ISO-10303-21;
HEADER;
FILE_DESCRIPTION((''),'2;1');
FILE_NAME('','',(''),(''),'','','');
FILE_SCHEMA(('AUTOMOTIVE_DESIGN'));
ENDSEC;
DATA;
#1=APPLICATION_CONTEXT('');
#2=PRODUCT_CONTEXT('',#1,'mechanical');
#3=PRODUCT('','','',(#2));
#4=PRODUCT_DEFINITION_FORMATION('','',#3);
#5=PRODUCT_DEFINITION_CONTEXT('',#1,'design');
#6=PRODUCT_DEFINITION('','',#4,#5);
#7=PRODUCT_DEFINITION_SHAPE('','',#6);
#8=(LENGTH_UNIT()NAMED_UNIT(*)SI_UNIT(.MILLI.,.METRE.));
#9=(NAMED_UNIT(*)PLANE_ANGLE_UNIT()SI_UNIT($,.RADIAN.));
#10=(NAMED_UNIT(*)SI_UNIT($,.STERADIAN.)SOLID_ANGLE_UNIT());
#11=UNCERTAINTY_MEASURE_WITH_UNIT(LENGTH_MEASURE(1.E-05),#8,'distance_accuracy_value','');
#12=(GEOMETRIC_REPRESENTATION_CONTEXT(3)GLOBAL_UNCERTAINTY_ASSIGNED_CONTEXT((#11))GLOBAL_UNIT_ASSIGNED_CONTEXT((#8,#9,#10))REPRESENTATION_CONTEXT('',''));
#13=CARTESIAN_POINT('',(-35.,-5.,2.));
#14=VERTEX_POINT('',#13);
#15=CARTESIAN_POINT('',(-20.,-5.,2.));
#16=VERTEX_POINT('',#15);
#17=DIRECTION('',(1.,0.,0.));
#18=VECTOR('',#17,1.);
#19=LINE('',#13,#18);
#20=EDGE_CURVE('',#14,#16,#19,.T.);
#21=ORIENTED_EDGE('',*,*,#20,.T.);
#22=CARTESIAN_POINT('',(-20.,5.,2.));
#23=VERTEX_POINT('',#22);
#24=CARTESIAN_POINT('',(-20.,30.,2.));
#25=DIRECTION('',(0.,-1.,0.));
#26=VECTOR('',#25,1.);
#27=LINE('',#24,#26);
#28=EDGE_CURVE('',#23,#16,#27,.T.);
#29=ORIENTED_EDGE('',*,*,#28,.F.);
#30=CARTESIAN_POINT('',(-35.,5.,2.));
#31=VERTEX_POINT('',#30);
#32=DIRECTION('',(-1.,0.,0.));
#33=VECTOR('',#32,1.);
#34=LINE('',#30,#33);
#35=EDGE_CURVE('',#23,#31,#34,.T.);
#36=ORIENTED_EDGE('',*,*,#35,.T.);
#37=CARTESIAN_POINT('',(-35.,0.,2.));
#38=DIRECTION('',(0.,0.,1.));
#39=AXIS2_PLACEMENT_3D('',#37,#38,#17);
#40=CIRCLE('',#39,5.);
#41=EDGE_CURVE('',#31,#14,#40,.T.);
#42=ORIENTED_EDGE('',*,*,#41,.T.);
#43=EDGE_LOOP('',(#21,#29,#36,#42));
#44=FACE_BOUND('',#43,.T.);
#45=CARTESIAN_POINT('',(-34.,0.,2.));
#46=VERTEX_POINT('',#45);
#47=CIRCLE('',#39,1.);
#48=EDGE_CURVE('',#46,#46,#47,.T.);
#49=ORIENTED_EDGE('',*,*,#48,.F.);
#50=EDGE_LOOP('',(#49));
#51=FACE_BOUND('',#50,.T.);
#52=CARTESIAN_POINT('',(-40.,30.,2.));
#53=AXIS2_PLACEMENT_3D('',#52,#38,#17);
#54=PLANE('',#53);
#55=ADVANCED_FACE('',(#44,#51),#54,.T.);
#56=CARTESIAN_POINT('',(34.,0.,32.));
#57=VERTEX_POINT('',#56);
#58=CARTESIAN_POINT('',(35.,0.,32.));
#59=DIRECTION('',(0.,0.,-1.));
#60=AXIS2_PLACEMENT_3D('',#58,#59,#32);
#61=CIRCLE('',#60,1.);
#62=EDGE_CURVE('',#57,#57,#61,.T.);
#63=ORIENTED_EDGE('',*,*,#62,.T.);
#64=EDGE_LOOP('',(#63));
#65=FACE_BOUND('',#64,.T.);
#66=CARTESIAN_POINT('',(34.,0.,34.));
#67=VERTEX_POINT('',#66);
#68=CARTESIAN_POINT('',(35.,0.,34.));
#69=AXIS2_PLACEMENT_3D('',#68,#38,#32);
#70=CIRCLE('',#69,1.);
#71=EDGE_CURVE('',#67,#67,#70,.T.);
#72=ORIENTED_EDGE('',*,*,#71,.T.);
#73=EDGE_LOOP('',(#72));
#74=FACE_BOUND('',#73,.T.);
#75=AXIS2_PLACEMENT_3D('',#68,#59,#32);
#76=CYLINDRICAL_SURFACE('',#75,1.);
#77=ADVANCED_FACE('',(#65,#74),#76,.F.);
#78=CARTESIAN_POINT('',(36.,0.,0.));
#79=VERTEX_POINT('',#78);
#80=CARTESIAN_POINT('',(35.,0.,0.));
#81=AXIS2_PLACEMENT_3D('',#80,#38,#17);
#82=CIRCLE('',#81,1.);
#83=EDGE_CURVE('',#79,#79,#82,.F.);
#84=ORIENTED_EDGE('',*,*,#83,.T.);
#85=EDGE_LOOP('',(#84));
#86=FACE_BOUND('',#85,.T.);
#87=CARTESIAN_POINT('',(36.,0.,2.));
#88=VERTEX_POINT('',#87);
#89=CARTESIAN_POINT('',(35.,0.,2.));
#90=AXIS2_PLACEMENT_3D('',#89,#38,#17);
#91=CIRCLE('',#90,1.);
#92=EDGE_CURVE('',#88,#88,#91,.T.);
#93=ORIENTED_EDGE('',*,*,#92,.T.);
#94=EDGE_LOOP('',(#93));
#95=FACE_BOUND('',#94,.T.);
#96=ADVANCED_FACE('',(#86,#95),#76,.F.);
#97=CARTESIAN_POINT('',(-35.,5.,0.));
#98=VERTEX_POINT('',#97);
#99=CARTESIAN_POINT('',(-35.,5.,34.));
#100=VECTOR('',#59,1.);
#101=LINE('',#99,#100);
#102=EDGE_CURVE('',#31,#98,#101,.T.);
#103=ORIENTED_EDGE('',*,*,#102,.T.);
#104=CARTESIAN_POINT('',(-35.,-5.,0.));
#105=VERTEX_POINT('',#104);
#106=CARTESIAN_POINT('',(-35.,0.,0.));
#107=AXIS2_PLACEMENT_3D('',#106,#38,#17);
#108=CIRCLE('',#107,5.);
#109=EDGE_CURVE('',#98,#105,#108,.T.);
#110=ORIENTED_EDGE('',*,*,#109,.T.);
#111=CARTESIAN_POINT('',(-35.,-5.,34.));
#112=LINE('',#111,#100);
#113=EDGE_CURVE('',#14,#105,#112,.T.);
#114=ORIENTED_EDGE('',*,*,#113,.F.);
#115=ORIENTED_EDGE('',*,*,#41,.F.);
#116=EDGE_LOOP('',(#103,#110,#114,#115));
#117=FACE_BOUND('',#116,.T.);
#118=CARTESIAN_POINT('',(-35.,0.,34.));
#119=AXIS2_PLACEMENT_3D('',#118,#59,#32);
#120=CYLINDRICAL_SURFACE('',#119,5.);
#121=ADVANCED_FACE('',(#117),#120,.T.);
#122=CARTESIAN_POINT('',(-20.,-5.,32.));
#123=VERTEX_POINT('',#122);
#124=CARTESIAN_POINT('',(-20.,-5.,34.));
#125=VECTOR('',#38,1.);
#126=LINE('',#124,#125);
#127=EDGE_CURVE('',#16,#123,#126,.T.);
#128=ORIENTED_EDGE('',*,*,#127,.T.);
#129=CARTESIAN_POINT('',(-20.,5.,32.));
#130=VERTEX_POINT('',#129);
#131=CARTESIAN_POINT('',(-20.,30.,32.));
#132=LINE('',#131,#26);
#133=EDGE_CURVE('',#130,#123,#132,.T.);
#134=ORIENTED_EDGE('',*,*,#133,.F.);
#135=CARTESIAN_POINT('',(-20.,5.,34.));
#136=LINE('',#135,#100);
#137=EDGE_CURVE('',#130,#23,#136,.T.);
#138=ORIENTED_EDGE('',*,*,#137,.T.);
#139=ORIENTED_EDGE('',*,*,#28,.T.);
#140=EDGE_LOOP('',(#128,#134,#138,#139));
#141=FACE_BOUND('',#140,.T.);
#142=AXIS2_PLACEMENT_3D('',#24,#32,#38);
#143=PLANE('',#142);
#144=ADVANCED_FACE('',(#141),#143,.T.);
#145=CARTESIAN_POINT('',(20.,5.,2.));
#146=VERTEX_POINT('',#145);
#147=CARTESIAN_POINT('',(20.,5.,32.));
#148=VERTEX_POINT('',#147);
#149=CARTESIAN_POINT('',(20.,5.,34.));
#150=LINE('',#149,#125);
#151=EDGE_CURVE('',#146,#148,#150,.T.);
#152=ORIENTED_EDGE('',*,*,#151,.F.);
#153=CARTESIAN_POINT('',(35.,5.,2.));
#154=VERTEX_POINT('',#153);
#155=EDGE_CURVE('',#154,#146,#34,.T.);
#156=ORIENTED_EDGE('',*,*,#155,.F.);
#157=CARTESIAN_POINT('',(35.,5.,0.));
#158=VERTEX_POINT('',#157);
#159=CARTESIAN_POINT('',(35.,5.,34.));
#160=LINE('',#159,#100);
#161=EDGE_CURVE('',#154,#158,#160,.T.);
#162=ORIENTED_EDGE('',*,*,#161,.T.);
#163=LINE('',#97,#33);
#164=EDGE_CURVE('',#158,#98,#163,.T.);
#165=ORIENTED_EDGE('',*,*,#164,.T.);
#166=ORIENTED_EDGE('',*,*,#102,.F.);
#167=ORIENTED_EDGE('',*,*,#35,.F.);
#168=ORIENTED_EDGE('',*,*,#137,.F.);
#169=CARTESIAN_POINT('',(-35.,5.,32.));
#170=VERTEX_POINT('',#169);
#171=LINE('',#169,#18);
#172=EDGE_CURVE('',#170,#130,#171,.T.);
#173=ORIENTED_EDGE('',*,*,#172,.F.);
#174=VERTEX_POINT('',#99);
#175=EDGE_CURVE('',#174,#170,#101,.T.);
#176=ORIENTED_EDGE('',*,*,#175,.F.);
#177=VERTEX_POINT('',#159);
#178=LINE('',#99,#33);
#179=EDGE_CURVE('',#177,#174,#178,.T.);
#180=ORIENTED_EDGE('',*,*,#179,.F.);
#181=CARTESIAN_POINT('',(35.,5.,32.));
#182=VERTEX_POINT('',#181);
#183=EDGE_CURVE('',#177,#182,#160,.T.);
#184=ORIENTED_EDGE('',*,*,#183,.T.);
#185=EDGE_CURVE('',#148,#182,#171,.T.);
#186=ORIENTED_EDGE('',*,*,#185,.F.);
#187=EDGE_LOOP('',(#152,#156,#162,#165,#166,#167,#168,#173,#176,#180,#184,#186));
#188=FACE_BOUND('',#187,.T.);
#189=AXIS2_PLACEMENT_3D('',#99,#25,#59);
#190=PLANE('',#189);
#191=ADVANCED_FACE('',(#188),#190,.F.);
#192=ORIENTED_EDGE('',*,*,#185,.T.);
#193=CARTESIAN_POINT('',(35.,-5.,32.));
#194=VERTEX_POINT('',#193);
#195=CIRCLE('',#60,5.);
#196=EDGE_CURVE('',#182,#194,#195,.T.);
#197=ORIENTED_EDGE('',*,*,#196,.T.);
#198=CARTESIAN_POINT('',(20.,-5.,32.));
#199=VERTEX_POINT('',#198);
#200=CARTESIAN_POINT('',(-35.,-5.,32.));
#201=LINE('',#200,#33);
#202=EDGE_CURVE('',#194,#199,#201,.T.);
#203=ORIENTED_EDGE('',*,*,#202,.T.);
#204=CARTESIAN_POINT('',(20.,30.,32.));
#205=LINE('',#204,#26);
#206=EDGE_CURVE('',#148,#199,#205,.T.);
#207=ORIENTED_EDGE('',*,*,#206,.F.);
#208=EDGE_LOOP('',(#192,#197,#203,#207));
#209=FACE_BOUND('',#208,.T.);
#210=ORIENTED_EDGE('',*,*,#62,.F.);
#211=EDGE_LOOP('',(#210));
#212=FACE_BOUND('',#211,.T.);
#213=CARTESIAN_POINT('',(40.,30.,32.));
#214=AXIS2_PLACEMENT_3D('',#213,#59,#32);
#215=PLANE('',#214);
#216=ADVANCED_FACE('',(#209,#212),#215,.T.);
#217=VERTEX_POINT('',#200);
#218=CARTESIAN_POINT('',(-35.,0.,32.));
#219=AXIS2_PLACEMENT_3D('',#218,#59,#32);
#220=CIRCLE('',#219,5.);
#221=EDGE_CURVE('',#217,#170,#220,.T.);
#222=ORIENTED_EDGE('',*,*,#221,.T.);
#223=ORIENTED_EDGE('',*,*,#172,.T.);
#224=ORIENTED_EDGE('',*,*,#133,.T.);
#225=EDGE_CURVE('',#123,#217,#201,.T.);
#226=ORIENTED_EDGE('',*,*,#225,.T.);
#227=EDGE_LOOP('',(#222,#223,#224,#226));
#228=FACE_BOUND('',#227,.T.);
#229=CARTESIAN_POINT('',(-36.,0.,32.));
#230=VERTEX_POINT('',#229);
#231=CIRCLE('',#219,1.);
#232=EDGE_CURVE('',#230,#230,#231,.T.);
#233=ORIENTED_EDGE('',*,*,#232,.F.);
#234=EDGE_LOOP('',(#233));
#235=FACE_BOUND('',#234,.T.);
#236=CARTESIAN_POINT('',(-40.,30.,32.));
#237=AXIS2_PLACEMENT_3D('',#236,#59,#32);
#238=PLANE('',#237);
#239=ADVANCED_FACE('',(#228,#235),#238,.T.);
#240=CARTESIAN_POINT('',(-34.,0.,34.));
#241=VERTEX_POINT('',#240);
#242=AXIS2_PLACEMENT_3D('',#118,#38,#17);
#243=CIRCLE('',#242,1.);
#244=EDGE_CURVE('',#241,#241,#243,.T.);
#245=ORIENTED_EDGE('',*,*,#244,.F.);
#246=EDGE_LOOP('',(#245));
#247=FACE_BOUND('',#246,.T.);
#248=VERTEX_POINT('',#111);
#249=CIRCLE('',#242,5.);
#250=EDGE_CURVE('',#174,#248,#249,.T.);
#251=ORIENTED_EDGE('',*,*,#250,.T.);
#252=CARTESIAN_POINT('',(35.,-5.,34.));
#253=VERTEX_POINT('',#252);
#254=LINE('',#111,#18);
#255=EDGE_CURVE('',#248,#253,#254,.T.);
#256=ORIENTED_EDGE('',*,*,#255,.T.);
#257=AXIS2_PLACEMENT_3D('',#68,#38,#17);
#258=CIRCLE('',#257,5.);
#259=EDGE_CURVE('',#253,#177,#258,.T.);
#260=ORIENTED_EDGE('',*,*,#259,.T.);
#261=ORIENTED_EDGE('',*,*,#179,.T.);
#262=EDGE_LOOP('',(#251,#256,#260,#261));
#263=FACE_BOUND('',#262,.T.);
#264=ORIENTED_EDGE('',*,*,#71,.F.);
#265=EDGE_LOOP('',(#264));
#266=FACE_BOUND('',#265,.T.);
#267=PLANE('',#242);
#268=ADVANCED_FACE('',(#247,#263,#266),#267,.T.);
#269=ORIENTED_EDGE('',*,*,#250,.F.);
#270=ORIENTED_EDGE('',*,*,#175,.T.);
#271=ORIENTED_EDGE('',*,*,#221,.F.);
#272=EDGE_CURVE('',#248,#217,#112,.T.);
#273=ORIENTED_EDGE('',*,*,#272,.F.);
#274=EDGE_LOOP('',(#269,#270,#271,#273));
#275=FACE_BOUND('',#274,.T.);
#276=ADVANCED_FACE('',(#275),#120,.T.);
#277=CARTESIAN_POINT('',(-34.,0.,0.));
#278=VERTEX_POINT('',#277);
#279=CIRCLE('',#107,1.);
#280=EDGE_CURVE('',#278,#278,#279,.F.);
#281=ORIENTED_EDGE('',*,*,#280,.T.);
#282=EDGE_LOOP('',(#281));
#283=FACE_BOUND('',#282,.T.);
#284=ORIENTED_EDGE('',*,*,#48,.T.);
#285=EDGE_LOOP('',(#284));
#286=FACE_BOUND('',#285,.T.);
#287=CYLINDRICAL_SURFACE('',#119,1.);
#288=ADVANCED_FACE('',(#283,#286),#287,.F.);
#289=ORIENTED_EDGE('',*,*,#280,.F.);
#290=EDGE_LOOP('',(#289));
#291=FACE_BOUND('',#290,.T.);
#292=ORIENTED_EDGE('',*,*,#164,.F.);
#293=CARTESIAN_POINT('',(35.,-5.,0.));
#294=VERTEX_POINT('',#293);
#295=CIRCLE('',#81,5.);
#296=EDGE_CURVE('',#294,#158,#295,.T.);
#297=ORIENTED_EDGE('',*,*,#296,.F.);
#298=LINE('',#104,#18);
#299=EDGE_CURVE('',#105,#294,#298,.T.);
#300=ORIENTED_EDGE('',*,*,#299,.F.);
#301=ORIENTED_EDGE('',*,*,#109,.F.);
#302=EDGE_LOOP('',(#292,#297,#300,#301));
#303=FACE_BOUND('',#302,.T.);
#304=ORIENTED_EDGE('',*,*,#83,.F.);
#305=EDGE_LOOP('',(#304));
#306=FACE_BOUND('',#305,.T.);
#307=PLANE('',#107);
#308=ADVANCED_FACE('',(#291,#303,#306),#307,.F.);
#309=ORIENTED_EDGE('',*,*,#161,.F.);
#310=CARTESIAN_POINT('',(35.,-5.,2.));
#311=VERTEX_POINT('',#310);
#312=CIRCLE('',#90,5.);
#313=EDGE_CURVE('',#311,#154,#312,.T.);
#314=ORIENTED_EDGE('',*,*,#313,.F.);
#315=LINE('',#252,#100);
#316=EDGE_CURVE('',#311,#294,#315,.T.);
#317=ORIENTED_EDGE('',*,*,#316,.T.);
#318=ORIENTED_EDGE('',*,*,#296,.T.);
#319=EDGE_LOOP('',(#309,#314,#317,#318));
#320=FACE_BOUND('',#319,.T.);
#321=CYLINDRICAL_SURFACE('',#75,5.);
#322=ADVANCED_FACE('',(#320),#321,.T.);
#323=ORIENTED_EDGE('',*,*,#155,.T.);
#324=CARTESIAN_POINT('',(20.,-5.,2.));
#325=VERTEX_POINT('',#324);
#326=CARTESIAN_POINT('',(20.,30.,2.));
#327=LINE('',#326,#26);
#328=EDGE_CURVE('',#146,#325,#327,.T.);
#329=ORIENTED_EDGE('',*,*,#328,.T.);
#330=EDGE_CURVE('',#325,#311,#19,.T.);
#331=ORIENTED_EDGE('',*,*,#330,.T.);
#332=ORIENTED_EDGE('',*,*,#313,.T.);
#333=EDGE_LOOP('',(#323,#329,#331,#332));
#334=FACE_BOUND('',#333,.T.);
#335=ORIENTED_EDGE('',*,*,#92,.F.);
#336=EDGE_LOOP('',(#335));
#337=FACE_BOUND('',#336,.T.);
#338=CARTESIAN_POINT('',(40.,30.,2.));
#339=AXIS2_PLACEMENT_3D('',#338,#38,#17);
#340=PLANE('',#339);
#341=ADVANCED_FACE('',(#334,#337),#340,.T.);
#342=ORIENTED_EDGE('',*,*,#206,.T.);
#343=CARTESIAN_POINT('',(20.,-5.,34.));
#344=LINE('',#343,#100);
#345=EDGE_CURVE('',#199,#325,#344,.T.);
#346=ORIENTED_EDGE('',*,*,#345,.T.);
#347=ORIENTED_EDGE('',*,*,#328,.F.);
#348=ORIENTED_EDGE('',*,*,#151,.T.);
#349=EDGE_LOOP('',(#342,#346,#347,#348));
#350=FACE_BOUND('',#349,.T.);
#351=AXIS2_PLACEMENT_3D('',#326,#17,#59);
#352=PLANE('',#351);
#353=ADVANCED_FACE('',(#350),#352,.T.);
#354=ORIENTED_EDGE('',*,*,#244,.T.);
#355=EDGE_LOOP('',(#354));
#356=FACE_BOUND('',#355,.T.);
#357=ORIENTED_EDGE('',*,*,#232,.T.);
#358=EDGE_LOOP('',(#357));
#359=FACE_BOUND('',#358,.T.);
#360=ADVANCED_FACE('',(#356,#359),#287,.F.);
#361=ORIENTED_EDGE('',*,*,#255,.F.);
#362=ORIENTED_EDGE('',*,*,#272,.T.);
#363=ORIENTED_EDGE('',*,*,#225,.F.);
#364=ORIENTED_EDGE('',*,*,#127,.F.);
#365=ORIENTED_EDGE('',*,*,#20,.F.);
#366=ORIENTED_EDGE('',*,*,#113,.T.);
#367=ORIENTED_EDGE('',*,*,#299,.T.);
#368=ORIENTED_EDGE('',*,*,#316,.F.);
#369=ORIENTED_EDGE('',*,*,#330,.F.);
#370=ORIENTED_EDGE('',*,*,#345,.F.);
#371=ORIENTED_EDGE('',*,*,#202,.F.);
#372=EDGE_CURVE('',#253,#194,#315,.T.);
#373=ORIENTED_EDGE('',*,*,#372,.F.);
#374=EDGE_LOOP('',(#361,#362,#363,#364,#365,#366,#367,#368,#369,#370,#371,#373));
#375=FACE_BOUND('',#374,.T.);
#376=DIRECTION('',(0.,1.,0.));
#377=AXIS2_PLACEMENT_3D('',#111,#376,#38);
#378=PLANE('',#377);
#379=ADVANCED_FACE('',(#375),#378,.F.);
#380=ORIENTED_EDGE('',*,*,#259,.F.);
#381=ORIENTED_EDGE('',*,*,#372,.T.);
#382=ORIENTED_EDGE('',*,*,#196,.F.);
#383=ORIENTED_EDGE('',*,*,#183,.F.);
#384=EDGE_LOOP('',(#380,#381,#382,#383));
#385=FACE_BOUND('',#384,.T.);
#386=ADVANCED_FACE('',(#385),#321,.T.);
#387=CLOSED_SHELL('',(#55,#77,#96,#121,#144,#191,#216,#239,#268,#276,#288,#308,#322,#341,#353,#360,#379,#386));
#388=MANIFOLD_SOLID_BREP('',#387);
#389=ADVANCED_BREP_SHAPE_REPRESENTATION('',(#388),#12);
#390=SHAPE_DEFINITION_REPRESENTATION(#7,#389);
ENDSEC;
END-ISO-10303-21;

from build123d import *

# Parameters (mm, degrees)
EXTRUDE_1_DEPTH          = 34
SKETCH_2_R               = 1
CUT_EXTRUDE_4_DEPTH      = 35
CUT_EXTRUDE_4_DEPTH_BACK = 30
SKETCH_3_W               = 20
SKETCH_3_H               = 30
CUT_EXTRUDE_5_DEPTH      = 30
CUT_EXTRUDE_5_DEPTH_BACK = 30


with BuildPart() as part:
    # 草圖1 → 填料-伸長1 (new body)
    with BuildSketch(Plane.XY):
        with BuildLine():
            Line((-35, 5), (35, 5))
            ThreePointArc((35, 5), (40, 0), (35, -5))
            Line((35, -5), (-35, -5))
            ThreePointArc((-35, -5), (-40, 0), (-35, 5))
        make_face()
    extrude(amount=EXTRUDE_1_DEPTH)

    # 草圖2 → 除料-伸長4 (cut, two sides)
    with BuildSketch(Plane.XY) as cut_extrude_4_sk:
        with Locations((-35, 0)):
            Circle(SKETCH_2_R)
        with Locations((35, 0)):
            Circle(SKETCH_2_R)
    extrude(amount=CUT_EXTRUDE_4_DEPTH, mode=Mode.SUBTRACT)
    extrude(cut_extrude_4_sk.sketch, amount=-CUT_EXTRUDE_4_DEPTH_BACK, mode=Mode.SUBTRACT)

    # 草圖3 → 除料-伸長5 (cut, two sides)
    with BuildSketch(Plane(origin=(0, 0, 0), x_dir=(1, 0, 0), z_dir=(0, 1, 0))) as cut_extrude_5_sk:
        with Locations((-30, -17)):
            Rectangle(SKETCH_3_W, SKETCH_3_H)
        with Locations((30, -17)):
            Rectangle(SKETCH_3_W, SKETCH_3_H)
    extrude(amount=CUT_EXTRUDE_5_DEPTH, mode=Mode.SUBTRACT)
    extrude(cut_extrude_5_sk.sketch, amount=-CUT_EXTRUDE_5_DEPTH_BACK, mode=Mode.SUBTRACT)


solid = part.part
